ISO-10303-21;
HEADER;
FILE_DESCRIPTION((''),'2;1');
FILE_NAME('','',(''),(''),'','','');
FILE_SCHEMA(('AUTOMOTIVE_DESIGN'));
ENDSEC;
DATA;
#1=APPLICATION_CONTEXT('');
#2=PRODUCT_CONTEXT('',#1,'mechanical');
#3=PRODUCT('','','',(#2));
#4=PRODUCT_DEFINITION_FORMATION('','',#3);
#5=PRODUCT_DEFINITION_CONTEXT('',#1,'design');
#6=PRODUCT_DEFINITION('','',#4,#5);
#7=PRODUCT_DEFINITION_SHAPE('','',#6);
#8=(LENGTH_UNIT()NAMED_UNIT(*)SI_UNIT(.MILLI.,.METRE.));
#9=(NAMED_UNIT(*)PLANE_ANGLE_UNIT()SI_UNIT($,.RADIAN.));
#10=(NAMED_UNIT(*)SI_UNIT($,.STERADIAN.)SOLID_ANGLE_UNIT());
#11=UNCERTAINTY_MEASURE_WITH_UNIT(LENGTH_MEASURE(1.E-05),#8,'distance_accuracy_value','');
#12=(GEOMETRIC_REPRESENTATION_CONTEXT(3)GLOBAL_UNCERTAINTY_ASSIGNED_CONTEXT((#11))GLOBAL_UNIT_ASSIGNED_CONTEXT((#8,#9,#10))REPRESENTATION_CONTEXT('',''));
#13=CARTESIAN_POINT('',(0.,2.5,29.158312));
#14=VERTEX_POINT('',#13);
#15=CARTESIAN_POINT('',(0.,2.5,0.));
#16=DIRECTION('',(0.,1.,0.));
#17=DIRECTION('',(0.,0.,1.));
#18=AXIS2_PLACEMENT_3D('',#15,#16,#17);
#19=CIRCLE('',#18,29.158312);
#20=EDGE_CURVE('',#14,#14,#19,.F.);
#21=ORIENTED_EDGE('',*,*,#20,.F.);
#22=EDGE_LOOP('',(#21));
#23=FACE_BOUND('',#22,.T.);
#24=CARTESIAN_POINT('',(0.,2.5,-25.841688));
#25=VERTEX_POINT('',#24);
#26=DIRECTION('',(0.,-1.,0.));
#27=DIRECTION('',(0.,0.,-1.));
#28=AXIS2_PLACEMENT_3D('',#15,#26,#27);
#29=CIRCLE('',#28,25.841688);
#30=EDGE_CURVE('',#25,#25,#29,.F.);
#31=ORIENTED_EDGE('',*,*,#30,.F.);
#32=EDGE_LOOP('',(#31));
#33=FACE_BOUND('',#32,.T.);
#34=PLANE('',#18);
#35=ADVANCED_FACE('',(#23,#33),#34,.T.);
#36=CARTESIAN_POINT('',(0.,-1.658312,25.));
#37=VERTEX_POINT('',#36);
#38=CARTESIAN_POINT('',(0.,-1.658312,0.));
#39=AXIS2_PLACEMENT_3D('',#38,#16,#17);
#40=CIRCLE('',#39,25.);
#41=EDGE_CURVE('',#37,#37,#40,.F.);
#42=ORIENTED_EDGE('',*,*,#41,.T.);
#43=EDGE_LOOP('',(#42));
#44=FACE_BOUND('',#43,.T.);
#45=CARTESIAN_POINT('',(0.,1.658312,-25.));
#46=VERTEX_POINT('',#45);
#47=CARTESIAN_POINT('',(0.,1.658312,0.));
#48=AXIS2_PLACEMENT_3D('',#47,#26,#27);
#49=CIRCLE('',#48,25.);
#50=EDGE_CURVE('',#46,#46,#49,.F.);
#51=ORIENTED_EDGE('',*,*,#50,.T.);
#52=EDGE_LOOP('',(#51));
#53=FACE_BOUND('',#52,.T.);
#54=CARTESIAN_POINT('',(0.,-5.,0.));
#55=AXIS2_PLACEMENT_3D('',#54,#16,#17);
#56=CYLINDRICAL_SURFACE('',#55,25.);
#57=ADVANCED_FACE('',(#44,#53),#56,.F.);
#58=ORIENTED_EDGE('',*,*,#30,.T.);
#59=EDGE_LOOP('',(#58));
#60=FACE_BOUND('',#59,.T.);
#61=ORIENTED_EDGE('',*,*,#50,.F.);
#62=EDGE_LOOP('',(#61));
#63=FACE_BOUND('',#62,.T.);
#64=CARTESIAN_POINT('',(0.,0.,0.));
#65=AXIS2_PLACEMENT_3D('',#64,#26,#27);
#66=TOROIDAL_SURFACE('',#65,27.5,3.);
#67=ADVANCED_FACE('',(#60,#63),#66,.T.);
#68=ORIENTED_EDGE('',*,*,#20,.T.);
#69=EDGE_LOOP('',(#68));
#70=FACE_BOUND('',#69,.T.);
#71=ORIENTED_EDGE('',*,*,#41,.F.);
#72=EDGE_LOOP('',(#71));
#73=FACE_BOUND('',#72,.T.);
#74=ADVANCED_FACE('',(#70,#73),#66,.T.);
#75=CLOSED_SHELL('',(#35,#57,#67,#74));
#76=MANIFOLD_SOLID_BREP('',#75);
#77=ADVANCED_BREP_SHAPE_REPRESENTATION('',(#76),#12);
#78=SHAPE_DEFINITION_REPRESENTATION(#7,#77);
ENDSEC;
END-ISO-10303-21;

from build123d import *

# Parameters (mm, degrees)
SKETCH_2_R          = 3
SKETCH_3_R          = 25
CUT_EXTRUDE_1_DEPTH = 5
SKETCH_4_R          = 35
CUT_EXTRUDE_2_DEPTH = 10


with BuildPart() as part:
    # ｽｹｯﾁ2 → 回転1 (revolve)
    with BuildSketch(Plane.XY, mode=Mode.PRIVATE) as revolve_1_sk:
        with Locations((27.5, 0)):
            Circle(SKETCH_2_R)
    revolve(revolve_1_sk.sketch.rotate(Axis((0, 0, 0), (0, 1, 0)), 90), axis=Axis((0, 0, 0), (0, 1, 0)))

    # ｽｹｯﾁ3 → ｶｯﾄ - 押し出し1 (cut, symmetric)
    with BuildSketch(Plane(origin=(0, 0, 0), x_dir=(1, 0, 0), z_dir=(0, 1, 0))):
        with Locations(Location((0, 0, 0), (0, 0, 90))):
            Circle(SKETCH_3_R)
    extrude(amount=CUT_EXTRUDE_1_DEPTH, both=True, mode=Mode.SUBTRACT)

    # ｽｹｯﾁ4 → ｶｯﾄ - 押し出し2 (cut)
    with BuildSketch(Plane(origin=(0, 2.5, 0), x_dir=(1, 0, 0), z_dir=(0, 1, 0))):
        Circle(SKETCH_4_R)
    extrude(amount=CUT_EXTRUDE_2_DEPTH, mode=Mode.SUBTRACT)


solid = part.part
